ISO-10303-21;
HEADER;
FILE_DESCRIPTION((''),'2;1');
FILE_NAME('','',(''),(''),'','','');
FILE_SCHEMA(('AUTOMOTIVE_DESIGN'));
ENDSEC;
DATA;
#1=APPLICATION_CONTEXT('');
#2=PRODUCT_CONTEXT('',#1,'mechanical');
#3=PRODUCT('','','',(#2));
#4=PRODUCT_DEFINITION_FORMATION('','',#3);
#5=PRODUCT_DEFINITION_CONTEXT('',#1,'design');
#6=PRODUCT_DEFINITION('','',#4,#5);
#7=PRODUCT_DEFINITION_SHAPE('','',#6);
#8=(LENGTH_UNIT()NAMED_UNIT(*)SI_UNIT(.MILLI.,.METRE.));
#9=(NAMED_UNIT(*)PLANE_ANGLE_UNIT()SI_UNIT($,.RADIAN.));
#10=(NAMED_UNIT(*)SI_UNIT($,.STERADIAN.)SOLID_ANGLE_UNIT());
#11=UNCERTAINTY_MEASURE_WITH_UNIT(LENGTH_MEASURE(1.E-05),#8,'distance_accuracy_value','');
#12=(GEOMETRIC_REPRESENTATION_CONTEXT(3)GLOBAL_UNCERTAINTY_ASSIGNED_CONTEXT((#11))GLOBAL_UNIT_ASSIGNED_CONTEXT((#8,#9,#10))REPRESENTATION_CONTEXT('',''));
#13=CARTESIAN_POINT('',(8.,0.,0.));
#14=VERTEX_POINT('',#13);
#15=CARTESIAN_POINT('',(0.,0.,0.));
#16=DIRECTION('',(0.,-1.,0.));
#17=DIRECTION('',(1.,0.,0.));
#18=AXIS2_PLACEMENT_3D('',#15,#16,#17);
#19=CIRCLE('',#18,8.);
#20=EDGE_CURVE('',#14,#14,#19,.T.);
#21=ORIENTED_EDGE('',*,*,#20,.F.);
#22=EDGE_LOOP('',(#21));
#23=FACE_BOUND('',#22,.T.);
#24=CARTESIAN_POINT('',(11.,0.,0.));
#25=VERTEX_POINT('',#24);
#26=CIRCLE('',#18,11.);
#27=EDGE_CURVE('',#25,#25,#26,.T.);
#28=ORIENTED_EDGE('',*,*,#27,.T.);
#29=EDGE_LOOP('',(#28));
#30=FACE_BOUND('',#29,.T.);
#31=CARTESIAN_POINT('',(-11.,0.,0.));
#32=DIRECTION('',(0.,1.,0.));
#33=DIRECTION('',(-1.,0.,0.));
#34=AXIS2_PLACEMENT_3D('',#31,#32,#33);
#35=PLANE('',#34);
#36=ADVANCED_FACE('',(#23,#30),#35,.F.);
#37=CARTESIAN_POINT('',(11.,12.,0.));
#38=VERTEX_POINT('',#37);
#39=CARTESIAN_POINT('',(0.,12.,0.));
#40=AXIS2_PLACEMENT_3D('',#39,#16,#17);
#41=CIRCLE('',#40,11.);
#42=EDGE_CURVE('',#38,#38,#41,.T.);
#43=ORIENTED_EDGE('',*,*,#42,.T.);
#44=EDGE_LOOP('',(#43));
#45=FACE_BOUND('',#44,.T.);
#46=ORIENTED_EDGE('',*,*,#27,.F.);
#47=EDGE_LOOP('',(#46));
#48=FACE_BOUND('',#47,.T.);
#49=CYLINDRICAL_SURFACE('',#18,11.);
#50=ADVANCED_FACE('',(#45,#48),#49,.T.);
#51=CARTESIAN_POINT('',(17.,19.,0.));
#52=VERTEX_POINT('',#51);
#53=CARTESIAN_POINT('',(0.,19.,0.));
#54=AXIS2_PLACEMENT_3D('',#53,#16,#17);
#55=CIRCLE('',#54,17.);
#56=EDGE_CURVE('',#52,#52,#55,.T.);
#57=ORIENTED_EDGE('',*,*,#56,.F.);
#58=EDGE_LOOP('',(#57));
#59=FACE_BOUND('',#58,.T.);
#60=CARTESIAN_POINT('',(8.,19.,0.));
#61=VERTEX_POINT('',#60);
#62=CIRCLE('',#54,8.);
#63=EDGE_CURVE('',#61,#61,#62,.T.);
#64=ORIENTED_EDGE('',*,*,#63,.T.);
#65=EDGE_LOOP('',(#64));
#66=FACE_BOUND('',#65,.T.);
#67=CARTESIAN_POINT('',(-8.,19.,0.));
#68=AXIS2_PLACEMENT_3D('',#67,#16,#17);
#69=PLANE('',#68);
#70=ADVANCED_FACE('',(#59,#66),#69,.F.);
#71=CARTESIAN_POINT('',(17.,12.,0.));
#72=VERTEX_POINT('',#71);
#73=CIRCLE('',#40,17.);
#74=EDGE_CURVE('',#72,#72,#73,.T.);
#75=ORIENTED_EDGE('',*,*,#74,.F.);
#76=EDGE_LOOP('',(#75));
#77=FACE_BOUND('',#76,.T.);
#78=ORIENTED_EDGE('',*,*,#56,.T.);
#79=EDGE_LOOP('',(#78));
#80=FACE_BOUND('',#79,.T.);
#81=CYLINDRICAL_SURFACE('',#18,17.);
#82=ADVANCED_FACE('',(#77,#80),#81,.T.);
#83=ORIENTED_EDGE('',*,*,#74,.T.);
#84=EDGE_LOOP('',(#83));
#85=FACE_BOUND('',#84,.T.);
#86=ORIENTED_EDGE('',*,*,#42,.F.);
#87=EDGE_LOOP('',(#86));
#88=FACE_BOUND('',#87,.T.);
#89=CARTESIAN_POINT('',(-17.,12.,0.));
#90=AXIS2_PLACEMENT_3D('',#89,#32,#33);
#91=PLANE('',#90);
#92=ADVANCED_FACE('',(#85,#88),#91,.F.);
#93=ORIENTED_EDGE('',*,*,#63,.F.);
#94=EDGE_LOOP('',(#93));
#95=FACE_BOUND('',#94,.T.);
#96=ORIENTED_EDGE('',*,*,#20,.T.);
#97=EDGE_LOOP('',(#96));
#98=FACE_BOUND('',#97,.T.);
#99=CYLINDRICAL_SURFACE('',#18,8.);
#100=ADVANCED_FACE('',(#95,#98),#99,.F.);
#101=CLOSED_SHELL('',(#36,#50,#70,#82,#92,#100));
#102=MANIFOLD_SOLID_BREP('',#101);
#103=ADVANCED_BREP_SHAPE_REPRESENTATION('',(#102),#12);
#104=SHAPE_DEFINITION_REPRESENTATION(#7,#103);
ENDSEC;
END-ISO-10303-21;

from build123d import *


with BuildPart() as part:
    # Croquis1 → Revolución1 (revolve)
    with BuildSketch(Plane.XY):
        Polygon((-8, 19), (-17, 19), (-17, 12), (-11, 12), (-11, 0), (-8, 0), align=None)
    revolve(axis=Axis((0, 0, 0), (0, 1, 0)))


solid = part.part
